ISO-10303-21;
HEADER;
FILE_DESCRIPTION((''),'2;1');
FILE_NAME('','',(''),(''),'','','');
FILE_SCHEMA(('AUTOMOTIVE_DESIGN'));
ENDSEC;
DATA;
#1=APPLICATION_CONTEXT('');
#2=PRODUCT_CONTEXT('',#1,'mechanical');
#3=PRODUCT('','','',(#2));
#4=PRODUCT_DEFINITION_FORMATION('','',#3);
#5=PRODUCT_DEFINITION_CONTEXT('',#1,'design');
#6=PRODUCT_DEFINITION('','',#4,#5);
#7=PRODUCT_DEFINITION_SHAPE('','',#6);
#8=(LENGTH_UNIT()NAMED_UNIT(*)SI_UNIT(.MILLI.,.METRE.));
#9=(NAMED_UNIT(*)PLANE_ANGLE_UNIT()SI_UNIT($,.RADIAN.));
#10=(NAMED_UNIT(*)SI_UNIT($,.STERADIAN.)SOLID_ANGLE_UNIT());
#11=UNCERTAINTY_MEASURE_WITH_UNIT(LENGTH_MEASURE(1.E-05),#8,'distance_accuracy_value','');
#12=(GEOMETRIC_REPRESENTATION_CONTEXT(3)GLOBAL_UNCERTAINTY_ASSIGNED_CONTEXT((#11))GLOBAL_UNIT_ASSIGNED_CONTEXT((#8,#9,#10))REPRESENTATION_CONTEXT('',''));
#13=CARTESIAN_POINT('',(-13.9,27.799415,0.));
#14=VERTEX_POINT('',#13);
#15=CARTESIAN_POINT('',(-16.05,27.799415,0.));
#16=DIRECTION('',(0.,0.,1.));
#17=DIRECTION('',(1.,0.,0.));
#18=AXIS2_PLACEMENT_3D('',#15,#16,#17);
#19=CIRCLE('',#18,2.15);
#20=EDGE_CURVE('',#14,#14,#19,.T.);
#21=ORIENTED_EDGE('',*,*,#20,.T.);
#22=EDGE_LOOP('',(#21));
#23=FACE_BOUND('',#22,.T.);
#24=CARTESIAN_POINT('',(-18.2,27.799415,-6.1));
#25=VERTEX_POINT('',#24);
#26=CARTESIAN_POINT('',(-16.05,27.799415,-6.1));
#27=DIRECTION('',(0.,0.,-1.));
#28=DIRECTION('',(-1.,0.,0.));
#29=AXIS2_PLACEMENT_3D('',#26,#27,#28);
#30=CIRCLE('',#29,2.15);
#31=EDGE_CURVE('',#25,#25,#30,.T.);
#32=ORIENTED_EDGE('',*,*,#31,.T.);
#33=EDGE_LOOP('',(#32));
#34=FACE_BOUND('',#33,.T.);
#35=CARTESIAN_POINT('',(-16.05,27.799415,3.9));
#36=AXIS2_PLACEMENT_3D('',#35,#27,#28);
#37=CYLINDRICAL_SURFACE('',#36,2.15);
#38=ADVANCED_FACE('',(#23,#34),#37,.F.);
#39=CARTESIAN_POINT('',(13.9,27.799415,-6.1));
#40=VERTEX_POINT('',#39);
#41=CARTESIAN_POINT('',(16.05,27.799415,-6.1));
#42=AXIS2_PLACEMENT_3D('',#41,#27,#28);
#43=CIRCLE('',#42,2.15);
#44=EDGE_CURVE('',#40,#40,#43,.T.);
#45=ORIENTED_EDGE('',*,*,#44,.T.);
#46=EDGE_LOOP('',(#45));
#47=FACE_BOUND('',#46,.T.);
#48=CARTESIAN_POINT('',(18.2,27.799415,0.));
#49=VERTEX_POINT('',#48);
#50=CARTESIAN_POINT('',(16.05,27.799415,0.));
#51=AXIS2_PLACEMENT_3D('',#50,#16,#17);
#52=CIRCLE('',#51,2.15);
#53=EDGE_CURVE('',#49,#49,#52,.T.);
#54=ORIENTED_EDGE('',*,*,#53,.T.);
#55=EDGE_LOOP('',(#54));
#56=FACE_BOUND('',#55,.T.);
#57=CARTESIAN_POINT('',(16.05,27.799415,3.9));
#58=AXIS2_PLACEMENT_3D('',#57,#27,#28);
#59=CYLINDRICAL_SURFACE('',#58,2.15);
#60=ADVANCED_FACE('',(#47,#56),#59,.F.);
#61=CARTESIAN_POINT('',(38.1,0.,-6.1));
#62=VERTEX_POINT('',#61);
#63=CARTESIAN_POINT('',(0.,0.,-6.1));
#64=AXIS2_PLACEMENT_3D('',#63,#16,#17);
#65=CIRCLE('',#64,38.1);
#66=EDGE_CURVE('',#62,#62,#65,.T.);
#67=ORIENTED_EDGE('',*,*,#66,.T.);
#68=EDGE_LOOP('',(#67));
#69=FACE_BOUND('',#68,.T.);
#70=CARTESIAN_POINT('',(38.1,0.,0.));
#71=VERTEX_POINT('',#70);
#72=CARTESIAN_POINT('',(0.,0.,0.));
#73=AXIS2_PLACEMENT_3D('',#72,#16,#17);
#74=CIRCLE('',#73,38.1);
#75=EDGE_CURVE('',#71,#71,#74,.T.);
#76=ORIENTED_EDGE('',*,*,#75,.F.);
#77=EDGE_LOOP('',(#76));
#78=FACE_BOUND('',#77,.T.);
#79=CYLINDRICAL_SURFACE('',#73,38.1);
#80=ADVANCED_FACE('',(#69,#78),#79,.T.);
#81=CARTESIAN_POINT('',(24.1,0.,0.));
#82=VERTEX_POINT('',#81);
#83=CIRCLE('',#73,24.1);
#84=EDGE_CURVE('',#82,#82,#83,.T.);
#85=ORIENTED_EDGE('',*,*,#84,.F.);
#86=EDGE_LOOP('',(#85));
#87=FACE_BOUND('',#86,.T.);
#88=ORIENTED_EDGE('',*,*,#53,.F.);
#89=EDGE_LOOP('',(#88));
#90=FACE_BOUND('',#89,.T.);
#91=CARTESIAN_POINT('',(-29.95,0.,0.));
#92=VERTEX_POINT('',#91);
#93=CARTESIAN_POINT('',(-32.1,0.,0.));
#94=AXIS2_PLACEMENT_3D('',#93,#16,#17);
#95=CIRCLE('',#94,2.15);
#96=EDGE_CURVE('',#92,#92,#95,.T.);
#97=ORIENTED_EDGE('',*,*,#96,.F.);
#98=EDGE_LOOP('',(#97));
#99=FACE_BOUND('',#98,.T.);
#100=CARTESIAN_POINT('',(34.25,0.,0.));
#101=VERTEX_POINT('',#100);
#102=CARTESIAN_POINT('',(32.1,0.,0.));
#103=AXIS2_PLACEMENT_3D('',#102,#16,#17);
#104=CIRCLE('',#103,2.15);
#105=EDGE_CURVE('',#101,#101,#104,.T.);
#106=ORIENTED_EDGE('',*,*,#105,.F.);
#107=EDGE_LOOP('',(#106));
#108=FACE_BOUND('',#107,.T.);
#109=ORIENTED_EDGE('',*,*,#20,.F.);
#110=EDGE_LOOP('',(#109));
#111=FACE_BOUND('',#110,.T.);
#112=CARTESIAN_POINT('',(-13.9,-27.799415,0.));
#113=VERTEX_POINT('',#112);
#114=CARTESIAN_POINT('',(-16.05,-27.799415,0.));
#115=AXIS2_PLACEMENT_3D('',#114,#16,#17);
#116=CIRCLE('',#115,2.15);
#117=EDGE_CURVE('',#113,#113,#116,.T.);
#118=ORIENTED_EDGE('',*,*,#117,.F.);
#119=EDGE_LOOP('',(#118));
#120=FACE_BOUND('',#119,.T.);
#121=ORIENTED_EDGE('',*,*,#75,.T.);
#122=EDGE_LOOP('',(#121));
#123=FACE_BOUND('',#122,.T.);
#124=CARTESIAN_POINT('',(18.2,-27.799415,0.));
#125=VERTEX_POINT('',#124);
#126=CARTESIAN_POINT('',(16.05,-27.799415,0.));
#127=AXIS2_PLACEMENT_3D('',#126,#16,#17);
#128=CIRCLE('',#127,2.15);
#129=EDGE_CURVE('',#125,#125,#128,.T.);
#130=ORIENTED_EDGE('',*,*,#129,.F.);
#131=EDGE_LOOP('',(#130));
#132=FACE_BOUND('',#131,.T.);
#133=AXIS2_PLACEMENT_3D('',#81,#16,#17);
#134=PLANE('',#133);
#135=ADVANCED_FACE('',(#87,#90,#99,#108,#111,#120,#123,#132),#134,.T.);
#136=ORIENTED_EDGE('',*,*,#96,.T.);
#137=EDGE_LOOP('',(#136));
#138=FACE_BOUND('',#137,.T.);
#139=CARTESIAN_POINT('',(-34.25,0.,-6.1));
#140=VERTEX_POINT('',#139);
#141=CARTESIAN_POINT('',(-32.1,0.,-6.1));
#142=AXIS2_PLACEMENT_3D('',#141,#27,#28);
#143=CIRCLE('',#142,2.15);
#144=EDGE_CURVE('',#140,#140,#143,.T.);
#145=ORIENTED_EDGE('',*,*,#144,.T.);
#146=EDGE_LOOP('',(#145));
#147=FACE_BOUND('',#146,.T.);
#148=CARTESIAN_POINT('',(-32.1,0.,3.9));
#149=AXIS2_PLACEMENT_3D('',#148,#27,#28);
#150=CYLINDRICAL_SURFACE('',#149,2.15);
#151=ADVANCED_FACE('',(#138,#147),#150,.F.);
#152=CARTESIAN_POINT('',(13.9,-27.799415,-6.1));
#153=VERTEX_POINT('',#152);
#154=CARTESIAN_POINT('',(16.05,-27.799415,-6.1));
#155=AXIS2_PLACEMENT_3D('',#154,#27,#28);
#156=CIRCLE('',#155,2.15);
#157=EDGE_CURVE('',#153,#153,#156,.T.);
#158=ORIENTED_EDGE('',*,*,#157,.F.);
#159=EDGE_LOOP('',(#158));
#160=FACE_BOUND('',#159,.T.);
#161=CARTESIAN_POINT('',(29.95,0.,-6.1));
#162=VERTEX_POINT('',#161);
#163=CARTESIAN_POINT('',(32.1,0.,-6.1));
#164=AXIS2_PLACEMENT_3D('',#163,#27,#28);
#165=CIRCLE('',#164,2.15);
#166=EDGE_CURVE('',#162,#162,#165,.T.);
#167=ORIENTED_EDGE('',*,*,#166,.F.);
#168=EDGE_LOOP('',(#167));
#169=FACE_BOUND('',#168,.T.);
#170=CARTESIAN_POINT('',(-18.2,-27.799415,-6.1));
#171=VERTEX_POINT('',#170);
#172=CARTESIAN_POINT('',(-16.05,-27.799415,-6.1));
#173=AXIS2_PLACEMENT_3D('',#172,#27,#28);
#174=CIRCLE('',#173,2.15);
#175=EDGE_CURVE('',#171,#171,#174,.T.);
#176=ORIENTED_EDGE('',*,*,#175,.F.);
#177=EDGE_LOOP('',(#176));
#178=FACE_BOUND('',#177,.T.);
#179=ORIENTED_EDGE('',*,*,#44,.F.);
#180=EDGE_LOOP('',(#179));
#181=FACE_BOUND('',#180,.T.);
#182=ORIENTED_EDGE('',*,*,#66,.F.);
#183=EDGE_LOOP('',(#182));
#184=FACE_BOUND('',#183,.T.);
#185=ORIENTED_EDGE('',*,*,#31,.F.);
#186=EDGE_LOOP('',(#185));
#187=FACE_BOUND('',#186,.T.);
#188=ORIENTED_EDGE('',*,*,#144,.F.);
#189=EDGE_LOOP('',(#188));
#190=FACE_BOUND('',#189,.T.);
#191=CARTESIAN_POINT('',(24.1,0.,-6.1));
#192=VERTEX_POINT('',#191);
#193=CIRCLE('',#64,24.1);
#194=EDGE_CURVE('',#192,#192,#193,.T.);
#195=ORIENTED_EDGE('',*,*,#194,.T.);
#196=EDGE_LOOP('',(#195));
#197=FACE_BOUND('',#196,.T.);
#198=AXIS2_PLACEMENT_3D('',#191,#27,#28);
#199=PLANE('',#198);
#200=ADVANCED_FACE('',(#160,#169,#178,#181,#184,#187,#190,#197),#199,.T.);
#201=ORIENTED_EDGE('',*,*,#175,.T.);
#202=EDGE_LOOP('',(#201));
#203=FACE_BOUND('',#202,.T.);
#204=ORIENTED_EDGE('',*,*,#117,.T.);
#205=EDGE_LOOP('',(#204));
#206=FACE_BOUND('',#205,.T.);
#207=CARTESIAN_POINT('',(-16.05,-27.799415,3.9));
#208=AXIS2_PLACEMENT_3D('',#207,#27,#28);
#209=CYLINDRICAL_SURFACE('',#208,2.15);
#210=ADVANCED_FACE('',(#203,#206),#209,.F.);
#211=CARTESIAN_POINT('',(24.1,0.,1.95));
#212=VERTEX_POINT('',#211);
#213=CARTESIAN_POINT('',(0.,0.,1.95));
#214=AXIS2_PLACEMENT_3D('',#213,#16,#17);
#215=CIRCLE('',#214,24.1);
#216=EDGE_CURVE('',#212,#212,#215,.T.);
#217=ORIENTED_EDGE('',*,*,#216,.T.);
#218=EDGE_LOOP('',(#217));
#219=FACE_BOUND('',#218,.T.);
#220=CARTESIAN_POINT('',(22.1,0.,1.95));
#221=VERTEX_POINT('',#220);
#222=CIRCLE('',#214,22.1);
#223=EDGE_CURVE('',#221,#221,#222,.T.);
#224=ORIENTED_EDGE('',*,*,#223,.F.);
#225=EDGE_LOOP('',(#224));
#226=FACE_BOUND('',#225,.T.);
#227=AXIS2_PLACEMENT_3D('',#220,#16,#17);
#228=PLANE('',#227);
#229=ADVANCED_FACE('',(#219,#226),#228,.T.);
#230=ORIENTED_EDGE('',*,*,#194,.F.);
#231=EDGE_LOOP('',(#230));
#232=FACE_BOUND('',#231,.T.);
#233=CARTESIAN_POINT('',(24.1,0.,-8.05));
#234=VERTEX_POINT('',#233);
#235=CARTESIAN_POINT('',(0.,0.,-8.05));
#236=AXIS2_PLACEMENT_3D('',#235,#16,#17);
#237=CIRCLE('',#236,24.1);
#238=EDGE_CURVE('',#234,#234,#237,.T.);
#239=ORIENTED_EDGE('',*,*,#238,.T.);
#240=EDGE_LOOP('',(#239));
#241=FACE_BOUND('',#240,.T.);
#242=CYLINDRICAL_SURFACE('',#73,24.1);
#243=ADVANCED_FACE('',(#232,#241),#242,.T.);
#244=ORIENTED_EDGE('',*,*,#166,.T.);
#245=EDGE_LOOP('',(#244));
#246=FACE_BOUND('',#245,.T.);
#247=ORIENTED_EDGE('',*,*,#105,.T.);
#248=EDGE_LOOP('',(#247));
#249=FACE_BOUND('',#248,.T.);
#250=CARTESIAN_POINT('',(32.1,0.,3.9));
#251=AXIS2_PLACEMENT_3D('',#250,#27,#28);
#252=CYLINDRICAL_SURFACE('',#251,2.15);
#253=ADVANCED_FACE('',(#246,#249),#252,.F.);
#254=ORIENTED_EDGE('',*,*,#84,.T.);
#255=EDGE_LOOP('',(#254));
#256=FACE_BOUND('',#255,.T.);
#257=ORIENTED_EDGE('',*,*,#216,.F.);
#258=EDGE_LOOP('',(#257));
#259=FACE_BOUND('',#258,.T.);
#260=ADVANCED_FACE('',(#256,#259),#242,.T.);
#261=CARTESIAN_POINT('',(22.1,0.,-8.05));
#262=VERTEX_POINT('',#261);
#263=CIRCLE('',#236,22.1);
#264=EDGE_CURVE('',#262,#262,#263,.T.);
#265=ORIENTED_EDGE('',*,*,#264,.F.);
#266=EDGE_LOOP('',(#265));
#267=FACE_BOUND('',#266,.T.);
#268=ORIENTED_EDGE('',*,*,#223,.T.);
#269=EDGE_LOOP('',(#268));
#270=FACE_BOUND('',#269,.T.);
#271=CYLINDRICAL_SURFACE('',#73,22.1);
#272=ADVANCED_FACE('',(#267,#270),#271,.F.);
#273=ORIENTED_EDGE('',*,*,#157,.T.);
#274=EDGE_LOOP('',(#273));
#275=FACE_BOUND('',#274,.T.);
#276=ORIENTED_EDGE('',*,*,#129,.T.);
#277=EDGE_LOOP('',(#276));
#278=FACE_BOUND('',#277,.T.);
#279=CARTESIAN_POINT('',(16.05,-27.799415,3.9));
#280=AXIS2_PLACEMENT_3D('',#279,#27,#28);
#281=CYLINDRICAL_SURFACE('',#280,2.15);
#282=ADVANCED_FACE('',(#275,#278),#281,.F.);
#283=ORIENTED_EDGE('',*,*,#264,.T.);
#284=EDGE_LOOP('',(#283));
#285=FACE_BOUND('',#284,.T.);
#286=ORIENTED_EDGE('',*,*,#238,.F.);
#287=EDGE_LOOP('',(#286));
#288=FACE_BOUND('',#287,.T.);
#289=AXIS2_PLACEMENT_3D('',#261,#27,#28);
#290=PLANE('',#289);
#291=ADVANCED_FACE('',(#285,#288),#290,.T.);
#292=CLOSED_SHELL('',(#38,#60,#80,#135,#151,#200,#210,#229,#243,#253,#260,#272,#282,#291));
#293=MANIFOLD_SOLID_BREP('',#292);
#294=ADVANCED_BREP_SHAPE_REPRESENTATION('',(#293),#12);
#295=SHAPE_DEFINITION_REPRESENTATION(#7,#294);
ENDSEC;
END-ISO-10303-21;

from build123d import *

# Parameters (mm, degrees)
SKETCH_3_R          = 2.15
CUT_EXTRUDE_2_DEPTH = 10


with BuildPart() as part:
    # 草图1 → 旋转1 (revolve)
    with BuildSketch(Plane(origin=(0, 0, 0), x_dir=(1, 0, 0), z_dir=(0, 1, 0))):
        Polygon((24.1, 0), (38.1, 0), (38.1, 6.1), (24.1, 6.1), (24.1, 8.05), (22.1, 8.05), (22.1, -1.95), (24.1, -1.95), align=None)
    revolve(axis=Axis((0, 0, 0), (0, 0, -1)))

    # 草图3 → 切除-拉伸2 (cut)
    with BuildSketch(Plane(origin=(0, 0, -6.1), x_dir=(-1, 0, 0), z_dir=(0, 0, -1))):
        with Locations((-32.1, 0)):
            Circle(SKETCH_3_R)
        with Locations((-16.05, 27.799415461)):
            Circle(SKETCH_3_R)
        with Locations((16.05, 27.799415461)):
            Circle(SKETCH_3_R)
        with Locations((32.1, 0)):
            Circle(SKETCH_3_R)
        with Locations((16.05, -27.799415461)):
            Circle(SKETCH_3_R)
        with Locations((-16.05, -27.799415461)):
            Circle(SKETCH_3_R)
    extrude(amount=-CUT_EXTRUDE_2_DEPTH, mode=Mode.SUBTRACT)


solid = part.part
